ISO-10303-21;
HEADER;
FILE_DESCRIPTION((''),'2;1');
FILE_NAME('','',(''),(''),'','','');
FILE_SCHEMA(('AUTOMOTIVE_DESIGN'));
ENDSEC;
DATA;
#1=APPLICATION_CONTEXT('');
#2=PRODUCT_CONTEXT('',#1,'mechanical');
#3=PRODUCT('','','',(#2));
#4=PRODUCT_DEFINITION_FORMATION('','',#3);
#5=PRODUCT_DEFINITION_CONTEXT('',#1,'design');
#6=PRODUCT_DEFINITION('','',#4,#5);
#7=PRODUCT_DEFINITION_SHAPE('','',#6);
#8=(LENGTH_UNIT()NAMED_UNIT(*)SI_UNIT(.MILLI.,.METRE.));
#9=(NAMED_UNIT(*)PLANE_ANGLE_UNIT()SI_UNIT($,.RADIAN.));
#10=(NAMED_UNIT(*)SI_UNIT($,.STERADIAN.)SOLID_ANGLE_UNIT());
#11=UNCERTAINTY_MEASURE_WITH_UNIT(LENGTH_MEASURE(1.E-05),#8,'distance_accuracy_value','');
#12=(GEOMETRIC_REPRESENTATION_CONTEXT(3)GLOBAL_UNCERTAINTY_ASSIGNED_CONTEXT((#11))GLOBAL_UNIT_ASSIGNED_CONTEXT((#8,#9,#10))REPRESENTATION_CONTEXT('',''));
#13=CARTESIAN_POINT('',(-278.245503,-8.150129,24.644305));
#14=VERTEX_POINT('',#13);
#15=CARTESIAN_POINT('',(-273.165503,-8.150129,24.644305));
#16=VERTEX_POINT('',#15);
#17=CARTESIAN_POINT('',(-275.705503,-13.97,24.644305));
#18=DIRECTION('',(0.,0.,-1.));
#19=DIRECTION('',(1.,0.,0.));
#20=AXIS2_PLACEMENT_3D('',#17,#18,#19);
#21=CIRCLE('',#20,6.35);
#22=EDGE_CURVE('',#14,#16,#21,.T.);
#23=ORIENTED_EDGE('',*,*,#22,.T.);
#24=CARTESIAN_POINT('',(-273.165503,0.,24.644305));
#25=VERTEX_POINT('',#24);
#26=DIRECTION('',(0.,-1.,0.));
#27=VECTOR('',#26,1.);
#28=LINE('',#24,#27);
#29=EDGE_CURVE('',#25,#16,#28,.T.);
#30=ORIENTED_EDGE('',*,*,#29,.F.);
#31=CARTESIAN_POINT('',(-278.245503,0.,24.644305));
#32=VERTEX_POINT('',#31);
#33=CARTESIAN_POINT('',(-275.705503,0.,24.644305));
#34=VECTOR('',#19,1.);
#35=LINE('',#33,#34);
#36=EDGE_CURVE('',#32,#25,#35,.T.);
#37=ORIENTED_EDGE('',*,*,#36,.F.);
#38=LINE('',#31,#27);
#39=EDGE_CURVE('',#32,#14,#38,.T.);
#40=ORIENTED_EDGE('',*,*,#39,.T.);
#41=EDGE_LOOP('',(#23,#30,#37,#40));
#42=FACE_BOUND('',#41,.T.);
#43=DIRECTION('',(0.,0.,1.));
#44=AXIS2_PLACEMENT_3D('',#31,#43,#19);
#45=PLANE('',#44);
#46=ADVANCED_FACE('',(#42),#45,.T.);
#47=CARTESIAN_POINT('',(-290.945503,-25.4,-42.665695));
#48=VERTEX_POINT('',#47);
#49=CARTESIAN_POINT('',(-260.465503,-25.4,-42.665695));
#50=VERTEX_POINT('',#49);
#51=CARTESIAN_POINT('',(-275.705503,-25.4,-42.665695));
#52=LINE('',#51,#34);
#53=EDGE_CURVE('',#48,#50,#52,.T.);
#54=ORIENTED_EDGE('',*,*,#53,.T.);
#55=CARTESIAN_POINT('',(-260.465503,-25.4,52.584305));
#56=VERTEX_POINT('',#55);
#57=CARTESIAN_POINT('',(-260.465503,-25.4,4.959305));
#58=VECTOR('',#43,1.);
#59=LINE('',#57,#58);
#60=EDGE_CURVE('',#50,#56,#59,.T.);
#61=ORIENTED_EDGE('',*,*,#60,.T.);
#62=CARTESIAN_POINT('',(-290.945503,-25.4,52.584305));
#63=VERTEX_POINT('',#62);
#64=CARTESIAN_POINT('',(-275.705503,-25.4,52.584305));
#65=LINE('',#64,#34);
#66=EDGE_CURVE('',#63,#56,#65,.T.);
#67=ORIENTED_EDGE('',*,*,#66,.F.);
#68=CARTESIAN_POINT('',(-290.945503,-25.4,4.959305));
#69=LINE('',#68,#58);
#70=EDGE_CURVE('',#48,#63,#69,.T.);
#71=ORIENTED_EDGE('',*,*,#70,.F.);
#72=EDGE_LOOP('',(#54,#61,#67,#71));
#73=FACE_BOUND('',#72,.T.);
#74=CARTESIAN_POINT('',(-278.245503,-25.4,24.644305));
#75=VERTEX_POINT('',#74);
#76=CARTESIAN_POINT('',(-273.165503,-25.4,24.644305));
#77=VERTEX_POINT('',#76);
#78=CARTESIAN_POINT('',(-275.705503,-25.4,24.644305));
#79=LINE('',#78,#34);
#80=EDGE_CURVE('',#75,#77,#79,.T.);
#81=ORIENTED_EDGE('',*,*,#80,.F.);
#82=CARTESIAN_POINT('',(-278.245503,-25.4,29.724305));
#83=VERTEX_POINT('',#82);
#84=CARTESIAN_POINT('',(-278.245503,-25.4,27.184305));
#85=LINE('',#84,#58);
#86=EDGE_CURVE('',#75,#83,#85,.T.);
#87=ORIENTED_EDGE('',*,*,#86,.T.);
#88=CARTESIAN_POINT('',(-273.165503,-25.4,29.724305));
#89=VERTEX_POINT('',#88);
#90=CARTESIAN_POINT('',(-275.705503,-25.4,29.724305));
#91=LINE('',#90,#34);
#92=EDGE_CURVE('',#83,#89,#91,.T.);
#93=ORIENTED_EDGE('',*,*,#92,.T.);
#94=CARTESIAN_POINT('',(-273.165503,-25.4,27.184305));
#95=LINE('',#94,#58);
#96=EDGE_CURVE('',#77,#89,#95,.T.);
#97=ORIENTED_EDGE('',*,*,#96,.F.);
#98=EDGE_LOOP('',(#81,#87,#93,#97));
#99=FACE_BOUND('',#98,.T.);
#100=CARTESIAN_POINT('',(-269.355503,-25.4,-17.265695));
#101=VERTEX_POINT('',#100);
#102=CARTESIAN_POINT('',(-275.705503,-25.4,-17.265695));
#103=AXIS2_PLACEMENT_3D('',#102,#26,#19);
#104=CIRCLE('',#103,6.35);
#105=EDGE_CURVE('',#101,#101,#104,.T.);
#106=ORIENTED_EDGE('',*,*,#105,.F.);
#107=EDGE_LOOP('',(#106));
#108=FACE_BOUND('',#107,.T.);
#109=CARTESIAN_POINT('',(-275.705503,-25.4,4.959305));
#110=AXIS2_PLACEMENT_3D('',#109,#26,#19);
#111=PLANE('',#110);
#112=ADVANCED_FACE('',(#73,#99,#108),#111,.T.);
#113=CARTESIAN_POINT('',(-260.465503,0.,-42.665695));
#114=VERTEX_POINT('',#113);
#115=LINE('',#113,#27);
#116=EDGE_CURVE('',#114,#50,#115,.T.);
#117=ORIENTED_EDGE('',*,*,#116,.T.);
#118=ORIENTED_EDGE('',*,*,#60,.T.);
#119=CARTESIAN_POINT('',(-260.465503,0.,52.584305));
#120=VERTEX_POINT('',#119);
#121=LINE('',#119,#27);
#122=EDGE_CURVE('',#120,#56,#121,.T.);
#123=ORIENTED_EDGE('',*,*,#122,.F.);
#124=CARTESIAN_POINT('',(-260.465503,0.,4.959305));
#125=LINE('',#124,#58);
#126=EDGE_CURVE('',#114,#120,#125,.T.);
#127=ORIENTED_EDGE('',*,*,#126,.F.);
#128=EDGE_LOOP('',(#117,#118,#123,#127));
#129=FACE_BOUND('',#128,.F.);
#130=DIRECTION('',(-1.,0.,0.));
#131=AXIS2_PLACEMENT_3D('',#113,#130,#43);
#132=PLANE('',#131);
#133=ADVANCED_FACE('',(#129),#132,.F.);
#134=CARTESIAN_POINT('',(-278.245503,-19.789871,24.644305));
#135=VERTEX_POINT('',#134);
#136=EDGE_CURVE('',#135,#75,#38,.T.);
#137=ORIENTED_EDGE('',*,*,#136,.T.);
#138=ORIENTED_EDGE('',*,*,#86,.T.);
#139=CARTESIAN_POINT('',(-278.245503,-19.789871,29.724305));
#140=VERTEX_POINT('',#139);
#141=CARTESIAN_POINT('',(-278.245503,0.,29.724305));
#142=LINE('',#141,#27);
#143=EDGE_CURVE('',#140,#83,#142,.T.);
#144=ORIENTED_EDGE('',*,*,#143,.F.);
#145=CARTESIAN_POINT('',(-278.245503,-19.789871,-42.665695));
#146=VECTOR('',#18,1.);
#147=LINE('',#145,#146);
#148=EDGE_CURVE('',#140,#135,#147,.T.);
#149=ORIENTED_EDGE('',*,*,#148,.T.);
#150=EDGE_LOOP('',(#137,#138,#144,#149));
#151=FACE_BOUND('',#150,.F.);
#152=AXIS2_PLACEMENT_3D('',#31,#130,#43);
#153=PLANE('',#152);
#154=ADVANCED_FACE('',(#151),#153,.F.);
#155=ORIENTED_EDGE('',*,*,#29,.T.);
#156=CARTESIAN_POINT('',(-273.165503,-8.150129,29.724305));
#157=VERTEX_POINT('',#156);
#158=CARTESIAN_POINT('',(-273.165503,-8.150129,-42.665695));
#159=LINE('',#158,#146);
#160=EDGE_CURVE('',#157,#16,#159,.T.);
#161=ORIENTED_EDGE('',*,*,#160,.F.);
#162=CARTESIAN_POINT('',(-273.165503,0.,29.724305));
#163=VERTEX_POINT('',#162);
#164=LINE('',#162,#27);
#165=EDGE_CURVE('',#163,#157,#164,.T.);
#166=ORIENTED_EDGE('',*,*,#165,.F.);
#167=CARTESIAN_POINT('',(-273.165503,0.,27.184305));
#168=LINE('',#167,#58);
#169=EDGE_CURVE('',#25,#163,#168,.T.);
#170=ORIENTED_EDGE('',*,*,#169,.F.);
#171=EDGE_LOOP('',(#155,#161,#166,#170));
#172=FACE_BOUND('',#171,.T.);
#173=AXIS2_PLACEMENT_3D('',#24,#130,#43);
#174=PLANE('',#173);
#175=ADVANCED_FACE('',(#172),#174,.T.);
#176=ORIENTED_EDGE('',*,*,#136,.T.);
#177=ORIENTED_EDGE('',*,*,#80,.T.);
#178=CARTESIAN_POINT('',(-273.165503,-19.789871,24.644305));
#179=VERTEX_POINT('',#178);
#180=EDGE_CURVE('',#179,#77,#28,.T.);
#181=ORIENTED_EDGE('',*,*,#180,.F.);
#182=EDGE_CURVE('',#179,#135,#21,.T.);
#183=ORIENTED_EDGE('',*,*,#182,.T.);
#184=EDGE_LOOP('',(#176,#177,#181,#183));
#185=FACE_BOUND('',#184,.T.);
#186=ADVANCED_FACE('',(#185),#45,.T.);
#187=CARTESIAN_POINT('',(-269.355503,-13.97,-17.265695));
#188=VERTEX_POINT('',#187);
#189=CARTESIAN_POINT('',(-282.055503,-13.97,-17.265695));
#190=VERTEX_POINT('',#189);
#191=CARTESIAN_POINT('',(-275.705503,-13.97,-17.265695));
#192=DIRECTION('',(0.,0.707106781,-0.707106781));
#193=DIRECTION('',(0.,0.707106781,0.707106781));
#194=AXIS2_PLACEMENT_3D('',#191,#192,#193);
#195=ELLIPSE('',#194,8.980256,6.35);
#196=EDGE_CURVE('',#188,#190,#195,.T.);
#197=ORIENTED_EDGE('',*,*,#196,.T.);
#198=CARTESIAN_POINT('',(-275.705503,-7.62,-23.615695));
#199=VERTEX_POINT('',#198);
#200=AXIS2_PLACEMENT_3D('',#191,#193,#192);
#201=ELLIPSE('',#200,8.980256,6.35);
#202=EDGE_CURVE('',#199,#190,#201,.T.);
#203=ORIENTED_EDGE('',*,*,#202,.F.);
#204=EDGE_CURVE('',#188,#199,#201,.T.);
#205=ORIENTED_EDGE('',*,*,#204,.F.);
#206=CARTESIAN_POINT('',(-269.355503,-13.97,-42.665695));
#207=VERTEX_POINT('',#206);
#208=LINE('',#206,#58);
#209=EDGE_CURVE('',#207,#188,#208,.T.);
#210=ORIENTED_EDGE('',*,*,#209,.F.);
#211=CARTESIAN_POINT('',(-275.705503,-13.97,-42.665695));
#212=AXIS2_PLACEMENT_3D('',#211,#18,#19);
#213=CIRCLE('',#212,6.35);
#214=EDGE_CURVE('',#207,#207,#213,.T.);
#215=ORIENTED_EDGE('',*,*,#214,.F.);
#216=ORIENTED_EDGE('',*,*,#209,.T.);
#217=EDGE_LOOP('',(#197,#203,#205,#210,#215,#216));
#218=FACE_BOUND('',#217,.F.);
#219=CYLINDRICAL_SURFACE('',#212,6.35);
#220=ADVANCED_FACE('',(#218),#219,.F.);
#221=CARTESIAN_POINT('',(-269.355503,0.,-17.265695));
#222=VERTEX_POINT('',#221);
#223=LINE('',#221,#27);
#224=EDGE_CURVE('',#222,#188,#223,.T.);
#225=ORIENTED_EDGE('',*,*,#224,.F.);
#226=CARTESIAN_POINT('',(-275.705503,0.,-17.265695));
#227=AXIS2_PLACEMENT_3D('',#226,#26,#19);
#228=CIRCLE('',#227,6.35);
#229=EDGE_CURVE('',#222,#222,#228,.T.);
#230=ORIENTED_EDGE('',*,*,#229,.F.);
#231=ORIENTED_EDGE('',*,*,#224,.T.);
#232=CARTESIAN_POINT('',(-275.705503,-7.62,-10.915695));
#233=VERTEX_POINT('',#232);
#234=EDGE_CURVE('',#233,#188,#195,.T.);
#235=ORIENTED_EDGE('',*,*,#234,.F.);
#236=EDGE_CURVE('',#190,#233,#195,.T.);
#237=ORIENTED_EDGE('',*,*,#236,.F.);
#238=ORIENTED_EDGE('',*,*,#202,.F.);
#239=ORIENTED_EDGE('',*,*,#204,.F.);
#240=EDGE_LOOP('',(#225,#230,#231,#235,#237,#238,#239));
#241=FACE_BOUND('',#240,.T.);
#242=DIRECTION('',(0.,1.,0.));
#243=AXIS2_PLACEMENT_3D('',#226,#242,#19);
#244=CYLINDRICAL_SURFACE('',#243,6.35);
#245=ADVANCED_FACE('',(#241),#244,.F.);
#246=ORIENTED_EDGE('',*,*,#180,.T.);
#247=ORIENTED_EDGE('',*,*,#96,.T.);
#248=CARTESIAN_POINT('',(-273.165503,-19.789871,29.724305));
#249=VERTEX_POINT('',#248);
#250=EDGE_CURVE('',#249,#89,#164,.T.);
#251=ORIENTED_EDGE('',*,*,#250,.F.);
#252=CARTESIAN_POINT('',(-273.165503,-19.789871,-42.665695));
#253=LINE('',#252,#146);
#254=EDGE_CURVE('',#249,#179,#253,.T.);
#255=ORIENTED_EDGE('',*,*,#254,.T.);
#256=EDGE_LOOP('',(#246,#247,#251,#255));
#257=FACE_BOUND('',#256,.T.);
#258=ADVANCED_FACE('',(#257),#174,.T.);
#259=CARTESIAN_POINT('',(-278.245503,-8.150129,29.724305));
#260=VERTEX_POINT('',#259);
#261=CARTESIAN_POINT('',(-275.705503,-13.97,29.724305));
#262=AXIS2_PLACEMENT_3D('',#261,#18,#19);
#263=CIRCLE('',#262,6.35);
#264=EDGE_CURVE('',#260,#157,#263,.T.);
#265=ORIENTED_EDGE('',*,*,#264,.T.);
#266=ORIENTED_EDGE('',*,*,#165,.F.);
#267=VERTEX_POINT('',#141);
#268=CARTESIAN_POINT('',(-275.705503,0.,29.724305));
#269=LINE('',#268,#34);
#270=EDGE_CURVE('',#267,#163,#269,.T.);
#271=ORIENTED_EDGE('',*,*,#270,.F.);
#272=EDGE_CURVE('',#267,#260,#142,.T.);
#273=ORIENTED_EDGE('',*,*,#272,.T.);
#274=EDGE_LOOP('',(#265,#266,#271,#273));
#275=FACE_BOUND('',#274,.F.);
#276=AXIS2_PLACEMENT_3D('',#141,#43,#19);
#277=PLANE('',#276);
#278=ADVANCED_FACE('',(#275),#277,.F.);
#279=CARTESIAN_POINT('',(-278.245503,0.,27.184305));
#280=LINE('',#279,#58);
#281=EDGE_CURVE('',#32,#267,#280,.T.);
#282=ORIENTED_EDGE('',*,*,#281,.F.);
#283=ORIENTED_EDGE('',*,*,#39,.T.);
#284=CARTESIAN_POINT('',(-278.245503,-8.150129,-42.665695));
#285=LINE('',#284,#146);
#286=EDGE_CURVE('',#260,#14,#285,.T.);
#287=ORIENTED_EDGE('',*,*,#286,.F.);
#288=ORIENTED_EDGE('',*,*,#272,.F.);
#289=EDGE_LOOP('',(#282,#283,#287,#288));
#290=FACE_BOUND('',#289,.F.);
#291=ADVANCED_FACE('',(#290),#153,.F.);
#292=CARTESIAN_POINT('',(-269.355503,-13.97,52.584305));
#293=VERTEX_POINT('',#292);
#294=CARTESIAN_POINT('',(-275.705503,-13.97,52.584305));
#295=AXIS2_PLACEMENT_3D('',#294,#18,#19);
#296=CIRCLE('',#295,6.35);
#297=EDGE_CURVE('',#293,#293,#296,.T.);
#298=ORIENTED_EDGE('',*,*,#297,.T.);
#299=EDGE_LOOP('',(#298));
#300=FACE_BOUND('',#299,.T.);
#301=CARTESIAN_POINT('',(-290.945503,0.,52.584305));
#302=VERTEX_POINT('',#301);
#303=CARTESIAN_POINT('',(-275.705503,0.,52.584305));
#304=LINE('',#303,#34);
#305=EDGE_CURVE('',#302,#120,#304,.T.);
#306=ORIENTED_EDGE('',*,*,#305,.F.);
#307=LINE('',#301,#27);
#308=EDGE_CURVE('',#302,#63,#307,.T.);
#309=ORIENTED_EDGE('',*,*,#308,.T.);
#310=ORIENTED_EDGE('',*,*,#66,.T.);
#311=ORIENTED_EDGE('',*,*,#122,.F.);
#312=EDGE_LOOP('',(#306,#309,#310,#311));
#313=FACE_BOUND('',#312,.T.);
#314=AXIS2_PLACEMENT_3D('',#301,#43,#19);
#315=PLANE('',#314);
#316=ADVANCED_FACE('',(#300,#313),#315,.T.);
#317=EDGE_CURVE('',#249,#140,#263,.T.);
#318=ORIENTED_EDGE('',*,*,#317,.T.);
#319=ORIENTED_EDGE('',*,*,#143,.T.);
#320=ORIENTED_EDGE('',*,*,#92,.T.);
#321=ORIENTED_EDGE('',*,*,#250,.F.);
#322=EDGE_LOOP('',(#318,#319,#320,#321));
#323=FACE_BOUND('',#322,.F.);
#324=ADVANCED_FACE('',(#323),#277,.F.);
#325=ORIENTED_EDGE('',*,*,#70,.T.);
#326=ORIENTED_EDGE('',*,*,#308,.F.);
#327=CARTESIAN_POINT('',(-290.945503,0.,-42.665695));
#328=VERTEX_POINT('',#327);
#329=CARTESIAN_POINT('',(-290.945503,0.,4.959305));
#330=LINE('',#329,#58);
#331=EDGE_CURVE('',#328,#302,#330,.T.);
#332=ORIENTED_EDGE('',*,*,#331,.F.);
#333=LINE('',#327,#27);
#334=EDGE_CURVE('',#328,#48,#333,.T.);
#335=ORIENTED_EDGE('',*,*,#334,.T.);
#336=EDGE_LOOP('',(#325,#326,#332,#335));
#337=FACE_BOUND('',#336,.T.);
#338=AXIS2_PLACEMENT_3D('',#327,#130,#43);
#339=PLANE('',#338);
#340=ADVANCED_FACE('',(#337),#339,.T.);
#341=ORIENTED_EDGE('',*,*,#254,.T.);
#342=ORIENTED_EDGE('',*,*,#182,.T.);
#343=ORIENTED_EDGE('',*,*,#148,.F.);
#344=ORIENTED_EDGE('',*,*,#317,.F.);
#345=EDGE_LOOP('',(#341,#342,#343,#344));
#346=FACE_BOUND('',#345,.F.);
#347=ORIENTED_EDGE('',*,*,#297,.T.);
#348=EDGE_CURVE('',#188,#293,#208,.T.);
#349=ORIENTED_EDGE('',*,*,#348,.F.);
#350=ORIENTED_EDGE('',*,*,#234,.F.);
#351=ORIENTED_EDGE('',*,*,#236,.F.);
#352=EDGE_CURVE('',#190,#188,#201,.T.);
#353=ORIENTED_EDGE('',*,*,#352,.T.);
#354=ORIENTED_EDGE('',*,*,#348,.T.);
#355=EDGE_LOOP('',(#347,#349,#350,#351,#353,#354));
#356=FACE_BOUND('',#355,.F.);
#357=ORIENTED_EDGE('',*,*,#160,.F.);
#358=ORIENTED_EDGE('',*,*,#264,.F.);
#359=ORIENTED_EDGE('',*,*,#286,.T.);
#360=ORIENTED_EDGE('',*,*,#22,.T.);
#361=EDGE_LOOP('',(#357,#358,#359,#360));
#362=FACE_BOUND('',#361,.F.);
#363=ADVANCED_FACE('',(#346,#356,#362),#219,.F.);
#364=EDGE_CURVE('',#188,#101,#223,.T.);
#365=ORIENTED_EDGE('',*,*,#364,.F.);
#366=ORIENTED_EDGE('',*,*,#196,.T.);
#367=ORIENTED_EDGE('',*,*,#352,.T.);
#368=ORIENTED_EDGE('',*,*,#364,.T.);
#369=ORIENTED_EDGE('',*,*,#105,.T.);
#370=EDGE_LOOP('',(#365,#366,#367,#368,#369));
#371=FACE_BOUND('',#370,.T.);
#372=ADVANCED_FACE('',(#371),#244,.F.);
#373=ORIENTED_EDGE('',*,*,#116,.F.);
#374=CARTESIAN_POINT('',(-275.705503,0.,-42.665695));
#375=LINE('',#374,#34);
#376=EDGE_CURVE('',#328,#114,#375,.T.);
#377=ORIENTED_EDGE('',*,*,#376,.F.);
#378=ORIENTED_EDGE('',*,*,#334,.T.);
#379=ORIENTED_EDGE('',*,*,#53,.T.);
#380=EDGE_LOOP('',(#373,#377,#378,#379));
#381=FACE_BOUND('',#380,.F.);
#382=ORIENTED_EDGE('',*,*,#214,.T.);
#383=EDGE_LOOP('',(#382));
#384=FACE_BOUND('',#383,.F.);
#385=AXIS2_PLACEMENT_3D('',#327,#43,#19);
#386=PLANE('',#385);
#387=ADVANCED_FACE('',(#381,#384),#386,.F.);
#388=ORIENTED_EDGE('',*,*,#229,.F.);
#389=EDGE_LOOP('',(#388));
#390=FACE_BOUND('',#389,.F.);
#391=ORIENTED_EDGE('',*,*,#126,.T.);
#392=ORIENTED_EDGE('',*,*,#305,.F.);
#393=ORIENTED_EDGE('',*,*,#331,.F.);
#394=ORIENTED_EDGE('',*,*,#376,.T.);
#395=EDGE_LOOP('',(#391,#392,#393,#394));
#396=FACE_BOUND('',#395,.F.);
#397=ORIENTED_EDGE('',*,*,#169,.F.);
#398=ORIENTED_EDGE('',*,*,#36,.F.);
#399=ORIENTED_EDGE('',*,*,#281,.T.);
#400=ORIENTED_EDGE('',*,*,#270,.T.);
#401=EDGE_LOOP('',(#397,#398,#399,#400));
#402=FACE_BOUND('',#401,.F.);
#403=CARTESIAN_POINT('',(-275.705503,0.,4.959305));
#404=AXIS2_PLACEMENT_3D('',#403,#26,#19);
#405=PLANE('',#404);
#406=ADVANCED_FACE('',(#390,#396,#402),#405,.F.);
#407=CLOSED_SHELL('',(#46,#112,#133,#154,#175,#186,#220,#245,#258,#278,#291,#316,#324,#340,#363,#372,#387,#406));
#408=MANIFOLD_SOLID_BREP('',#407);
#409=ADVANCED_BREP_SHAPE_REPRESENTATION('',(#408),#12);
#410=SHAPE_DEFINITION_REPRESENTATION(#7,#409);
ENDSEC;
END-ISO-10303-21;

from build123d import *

# Parameters (mm, degrees)
F0_W     = 30.48
F0_H     = 95.25
F0_R     = 6.35
F0_W_2   = 5.08
F0_H_2   = 5.08
F1_DEPTH = 25.4
F2_R     = 6.35
F3_DEPTH = 95.251


with BuildPart() as f1:
    # F0 (on Front) → F1 (new body)
    with BuildSketch(Plane.XZ):
        with Locations((-275.705503, 4.959305)):
            Rectangle(F0_W, F0_H)
        with Locations((-275.705503, -17.265695)):
            Circle(F0_R, mode=Mode.SUBTRACT)
        with Locations((-275.705503, 27.184305)):
            Rectangle(F0_W_2, F0_H_2, mode=Mode.SUBTRACT)
    extrude(amount=F1_DEPTH)

    # F2 (on face) → F3 (cut, through all)
    with BuildSketch(Plane(origin=(0, 0, -42.665695), x_dir=(1, 0, 0), z_dir=(0, 0, -1))):
        with Locations((-275.705503, 13.97)):
            Circle(F2_R)
    extrude(amount=-F3_DEPTH, mode=Mode.SUBTRACT)


solid = f1.part
